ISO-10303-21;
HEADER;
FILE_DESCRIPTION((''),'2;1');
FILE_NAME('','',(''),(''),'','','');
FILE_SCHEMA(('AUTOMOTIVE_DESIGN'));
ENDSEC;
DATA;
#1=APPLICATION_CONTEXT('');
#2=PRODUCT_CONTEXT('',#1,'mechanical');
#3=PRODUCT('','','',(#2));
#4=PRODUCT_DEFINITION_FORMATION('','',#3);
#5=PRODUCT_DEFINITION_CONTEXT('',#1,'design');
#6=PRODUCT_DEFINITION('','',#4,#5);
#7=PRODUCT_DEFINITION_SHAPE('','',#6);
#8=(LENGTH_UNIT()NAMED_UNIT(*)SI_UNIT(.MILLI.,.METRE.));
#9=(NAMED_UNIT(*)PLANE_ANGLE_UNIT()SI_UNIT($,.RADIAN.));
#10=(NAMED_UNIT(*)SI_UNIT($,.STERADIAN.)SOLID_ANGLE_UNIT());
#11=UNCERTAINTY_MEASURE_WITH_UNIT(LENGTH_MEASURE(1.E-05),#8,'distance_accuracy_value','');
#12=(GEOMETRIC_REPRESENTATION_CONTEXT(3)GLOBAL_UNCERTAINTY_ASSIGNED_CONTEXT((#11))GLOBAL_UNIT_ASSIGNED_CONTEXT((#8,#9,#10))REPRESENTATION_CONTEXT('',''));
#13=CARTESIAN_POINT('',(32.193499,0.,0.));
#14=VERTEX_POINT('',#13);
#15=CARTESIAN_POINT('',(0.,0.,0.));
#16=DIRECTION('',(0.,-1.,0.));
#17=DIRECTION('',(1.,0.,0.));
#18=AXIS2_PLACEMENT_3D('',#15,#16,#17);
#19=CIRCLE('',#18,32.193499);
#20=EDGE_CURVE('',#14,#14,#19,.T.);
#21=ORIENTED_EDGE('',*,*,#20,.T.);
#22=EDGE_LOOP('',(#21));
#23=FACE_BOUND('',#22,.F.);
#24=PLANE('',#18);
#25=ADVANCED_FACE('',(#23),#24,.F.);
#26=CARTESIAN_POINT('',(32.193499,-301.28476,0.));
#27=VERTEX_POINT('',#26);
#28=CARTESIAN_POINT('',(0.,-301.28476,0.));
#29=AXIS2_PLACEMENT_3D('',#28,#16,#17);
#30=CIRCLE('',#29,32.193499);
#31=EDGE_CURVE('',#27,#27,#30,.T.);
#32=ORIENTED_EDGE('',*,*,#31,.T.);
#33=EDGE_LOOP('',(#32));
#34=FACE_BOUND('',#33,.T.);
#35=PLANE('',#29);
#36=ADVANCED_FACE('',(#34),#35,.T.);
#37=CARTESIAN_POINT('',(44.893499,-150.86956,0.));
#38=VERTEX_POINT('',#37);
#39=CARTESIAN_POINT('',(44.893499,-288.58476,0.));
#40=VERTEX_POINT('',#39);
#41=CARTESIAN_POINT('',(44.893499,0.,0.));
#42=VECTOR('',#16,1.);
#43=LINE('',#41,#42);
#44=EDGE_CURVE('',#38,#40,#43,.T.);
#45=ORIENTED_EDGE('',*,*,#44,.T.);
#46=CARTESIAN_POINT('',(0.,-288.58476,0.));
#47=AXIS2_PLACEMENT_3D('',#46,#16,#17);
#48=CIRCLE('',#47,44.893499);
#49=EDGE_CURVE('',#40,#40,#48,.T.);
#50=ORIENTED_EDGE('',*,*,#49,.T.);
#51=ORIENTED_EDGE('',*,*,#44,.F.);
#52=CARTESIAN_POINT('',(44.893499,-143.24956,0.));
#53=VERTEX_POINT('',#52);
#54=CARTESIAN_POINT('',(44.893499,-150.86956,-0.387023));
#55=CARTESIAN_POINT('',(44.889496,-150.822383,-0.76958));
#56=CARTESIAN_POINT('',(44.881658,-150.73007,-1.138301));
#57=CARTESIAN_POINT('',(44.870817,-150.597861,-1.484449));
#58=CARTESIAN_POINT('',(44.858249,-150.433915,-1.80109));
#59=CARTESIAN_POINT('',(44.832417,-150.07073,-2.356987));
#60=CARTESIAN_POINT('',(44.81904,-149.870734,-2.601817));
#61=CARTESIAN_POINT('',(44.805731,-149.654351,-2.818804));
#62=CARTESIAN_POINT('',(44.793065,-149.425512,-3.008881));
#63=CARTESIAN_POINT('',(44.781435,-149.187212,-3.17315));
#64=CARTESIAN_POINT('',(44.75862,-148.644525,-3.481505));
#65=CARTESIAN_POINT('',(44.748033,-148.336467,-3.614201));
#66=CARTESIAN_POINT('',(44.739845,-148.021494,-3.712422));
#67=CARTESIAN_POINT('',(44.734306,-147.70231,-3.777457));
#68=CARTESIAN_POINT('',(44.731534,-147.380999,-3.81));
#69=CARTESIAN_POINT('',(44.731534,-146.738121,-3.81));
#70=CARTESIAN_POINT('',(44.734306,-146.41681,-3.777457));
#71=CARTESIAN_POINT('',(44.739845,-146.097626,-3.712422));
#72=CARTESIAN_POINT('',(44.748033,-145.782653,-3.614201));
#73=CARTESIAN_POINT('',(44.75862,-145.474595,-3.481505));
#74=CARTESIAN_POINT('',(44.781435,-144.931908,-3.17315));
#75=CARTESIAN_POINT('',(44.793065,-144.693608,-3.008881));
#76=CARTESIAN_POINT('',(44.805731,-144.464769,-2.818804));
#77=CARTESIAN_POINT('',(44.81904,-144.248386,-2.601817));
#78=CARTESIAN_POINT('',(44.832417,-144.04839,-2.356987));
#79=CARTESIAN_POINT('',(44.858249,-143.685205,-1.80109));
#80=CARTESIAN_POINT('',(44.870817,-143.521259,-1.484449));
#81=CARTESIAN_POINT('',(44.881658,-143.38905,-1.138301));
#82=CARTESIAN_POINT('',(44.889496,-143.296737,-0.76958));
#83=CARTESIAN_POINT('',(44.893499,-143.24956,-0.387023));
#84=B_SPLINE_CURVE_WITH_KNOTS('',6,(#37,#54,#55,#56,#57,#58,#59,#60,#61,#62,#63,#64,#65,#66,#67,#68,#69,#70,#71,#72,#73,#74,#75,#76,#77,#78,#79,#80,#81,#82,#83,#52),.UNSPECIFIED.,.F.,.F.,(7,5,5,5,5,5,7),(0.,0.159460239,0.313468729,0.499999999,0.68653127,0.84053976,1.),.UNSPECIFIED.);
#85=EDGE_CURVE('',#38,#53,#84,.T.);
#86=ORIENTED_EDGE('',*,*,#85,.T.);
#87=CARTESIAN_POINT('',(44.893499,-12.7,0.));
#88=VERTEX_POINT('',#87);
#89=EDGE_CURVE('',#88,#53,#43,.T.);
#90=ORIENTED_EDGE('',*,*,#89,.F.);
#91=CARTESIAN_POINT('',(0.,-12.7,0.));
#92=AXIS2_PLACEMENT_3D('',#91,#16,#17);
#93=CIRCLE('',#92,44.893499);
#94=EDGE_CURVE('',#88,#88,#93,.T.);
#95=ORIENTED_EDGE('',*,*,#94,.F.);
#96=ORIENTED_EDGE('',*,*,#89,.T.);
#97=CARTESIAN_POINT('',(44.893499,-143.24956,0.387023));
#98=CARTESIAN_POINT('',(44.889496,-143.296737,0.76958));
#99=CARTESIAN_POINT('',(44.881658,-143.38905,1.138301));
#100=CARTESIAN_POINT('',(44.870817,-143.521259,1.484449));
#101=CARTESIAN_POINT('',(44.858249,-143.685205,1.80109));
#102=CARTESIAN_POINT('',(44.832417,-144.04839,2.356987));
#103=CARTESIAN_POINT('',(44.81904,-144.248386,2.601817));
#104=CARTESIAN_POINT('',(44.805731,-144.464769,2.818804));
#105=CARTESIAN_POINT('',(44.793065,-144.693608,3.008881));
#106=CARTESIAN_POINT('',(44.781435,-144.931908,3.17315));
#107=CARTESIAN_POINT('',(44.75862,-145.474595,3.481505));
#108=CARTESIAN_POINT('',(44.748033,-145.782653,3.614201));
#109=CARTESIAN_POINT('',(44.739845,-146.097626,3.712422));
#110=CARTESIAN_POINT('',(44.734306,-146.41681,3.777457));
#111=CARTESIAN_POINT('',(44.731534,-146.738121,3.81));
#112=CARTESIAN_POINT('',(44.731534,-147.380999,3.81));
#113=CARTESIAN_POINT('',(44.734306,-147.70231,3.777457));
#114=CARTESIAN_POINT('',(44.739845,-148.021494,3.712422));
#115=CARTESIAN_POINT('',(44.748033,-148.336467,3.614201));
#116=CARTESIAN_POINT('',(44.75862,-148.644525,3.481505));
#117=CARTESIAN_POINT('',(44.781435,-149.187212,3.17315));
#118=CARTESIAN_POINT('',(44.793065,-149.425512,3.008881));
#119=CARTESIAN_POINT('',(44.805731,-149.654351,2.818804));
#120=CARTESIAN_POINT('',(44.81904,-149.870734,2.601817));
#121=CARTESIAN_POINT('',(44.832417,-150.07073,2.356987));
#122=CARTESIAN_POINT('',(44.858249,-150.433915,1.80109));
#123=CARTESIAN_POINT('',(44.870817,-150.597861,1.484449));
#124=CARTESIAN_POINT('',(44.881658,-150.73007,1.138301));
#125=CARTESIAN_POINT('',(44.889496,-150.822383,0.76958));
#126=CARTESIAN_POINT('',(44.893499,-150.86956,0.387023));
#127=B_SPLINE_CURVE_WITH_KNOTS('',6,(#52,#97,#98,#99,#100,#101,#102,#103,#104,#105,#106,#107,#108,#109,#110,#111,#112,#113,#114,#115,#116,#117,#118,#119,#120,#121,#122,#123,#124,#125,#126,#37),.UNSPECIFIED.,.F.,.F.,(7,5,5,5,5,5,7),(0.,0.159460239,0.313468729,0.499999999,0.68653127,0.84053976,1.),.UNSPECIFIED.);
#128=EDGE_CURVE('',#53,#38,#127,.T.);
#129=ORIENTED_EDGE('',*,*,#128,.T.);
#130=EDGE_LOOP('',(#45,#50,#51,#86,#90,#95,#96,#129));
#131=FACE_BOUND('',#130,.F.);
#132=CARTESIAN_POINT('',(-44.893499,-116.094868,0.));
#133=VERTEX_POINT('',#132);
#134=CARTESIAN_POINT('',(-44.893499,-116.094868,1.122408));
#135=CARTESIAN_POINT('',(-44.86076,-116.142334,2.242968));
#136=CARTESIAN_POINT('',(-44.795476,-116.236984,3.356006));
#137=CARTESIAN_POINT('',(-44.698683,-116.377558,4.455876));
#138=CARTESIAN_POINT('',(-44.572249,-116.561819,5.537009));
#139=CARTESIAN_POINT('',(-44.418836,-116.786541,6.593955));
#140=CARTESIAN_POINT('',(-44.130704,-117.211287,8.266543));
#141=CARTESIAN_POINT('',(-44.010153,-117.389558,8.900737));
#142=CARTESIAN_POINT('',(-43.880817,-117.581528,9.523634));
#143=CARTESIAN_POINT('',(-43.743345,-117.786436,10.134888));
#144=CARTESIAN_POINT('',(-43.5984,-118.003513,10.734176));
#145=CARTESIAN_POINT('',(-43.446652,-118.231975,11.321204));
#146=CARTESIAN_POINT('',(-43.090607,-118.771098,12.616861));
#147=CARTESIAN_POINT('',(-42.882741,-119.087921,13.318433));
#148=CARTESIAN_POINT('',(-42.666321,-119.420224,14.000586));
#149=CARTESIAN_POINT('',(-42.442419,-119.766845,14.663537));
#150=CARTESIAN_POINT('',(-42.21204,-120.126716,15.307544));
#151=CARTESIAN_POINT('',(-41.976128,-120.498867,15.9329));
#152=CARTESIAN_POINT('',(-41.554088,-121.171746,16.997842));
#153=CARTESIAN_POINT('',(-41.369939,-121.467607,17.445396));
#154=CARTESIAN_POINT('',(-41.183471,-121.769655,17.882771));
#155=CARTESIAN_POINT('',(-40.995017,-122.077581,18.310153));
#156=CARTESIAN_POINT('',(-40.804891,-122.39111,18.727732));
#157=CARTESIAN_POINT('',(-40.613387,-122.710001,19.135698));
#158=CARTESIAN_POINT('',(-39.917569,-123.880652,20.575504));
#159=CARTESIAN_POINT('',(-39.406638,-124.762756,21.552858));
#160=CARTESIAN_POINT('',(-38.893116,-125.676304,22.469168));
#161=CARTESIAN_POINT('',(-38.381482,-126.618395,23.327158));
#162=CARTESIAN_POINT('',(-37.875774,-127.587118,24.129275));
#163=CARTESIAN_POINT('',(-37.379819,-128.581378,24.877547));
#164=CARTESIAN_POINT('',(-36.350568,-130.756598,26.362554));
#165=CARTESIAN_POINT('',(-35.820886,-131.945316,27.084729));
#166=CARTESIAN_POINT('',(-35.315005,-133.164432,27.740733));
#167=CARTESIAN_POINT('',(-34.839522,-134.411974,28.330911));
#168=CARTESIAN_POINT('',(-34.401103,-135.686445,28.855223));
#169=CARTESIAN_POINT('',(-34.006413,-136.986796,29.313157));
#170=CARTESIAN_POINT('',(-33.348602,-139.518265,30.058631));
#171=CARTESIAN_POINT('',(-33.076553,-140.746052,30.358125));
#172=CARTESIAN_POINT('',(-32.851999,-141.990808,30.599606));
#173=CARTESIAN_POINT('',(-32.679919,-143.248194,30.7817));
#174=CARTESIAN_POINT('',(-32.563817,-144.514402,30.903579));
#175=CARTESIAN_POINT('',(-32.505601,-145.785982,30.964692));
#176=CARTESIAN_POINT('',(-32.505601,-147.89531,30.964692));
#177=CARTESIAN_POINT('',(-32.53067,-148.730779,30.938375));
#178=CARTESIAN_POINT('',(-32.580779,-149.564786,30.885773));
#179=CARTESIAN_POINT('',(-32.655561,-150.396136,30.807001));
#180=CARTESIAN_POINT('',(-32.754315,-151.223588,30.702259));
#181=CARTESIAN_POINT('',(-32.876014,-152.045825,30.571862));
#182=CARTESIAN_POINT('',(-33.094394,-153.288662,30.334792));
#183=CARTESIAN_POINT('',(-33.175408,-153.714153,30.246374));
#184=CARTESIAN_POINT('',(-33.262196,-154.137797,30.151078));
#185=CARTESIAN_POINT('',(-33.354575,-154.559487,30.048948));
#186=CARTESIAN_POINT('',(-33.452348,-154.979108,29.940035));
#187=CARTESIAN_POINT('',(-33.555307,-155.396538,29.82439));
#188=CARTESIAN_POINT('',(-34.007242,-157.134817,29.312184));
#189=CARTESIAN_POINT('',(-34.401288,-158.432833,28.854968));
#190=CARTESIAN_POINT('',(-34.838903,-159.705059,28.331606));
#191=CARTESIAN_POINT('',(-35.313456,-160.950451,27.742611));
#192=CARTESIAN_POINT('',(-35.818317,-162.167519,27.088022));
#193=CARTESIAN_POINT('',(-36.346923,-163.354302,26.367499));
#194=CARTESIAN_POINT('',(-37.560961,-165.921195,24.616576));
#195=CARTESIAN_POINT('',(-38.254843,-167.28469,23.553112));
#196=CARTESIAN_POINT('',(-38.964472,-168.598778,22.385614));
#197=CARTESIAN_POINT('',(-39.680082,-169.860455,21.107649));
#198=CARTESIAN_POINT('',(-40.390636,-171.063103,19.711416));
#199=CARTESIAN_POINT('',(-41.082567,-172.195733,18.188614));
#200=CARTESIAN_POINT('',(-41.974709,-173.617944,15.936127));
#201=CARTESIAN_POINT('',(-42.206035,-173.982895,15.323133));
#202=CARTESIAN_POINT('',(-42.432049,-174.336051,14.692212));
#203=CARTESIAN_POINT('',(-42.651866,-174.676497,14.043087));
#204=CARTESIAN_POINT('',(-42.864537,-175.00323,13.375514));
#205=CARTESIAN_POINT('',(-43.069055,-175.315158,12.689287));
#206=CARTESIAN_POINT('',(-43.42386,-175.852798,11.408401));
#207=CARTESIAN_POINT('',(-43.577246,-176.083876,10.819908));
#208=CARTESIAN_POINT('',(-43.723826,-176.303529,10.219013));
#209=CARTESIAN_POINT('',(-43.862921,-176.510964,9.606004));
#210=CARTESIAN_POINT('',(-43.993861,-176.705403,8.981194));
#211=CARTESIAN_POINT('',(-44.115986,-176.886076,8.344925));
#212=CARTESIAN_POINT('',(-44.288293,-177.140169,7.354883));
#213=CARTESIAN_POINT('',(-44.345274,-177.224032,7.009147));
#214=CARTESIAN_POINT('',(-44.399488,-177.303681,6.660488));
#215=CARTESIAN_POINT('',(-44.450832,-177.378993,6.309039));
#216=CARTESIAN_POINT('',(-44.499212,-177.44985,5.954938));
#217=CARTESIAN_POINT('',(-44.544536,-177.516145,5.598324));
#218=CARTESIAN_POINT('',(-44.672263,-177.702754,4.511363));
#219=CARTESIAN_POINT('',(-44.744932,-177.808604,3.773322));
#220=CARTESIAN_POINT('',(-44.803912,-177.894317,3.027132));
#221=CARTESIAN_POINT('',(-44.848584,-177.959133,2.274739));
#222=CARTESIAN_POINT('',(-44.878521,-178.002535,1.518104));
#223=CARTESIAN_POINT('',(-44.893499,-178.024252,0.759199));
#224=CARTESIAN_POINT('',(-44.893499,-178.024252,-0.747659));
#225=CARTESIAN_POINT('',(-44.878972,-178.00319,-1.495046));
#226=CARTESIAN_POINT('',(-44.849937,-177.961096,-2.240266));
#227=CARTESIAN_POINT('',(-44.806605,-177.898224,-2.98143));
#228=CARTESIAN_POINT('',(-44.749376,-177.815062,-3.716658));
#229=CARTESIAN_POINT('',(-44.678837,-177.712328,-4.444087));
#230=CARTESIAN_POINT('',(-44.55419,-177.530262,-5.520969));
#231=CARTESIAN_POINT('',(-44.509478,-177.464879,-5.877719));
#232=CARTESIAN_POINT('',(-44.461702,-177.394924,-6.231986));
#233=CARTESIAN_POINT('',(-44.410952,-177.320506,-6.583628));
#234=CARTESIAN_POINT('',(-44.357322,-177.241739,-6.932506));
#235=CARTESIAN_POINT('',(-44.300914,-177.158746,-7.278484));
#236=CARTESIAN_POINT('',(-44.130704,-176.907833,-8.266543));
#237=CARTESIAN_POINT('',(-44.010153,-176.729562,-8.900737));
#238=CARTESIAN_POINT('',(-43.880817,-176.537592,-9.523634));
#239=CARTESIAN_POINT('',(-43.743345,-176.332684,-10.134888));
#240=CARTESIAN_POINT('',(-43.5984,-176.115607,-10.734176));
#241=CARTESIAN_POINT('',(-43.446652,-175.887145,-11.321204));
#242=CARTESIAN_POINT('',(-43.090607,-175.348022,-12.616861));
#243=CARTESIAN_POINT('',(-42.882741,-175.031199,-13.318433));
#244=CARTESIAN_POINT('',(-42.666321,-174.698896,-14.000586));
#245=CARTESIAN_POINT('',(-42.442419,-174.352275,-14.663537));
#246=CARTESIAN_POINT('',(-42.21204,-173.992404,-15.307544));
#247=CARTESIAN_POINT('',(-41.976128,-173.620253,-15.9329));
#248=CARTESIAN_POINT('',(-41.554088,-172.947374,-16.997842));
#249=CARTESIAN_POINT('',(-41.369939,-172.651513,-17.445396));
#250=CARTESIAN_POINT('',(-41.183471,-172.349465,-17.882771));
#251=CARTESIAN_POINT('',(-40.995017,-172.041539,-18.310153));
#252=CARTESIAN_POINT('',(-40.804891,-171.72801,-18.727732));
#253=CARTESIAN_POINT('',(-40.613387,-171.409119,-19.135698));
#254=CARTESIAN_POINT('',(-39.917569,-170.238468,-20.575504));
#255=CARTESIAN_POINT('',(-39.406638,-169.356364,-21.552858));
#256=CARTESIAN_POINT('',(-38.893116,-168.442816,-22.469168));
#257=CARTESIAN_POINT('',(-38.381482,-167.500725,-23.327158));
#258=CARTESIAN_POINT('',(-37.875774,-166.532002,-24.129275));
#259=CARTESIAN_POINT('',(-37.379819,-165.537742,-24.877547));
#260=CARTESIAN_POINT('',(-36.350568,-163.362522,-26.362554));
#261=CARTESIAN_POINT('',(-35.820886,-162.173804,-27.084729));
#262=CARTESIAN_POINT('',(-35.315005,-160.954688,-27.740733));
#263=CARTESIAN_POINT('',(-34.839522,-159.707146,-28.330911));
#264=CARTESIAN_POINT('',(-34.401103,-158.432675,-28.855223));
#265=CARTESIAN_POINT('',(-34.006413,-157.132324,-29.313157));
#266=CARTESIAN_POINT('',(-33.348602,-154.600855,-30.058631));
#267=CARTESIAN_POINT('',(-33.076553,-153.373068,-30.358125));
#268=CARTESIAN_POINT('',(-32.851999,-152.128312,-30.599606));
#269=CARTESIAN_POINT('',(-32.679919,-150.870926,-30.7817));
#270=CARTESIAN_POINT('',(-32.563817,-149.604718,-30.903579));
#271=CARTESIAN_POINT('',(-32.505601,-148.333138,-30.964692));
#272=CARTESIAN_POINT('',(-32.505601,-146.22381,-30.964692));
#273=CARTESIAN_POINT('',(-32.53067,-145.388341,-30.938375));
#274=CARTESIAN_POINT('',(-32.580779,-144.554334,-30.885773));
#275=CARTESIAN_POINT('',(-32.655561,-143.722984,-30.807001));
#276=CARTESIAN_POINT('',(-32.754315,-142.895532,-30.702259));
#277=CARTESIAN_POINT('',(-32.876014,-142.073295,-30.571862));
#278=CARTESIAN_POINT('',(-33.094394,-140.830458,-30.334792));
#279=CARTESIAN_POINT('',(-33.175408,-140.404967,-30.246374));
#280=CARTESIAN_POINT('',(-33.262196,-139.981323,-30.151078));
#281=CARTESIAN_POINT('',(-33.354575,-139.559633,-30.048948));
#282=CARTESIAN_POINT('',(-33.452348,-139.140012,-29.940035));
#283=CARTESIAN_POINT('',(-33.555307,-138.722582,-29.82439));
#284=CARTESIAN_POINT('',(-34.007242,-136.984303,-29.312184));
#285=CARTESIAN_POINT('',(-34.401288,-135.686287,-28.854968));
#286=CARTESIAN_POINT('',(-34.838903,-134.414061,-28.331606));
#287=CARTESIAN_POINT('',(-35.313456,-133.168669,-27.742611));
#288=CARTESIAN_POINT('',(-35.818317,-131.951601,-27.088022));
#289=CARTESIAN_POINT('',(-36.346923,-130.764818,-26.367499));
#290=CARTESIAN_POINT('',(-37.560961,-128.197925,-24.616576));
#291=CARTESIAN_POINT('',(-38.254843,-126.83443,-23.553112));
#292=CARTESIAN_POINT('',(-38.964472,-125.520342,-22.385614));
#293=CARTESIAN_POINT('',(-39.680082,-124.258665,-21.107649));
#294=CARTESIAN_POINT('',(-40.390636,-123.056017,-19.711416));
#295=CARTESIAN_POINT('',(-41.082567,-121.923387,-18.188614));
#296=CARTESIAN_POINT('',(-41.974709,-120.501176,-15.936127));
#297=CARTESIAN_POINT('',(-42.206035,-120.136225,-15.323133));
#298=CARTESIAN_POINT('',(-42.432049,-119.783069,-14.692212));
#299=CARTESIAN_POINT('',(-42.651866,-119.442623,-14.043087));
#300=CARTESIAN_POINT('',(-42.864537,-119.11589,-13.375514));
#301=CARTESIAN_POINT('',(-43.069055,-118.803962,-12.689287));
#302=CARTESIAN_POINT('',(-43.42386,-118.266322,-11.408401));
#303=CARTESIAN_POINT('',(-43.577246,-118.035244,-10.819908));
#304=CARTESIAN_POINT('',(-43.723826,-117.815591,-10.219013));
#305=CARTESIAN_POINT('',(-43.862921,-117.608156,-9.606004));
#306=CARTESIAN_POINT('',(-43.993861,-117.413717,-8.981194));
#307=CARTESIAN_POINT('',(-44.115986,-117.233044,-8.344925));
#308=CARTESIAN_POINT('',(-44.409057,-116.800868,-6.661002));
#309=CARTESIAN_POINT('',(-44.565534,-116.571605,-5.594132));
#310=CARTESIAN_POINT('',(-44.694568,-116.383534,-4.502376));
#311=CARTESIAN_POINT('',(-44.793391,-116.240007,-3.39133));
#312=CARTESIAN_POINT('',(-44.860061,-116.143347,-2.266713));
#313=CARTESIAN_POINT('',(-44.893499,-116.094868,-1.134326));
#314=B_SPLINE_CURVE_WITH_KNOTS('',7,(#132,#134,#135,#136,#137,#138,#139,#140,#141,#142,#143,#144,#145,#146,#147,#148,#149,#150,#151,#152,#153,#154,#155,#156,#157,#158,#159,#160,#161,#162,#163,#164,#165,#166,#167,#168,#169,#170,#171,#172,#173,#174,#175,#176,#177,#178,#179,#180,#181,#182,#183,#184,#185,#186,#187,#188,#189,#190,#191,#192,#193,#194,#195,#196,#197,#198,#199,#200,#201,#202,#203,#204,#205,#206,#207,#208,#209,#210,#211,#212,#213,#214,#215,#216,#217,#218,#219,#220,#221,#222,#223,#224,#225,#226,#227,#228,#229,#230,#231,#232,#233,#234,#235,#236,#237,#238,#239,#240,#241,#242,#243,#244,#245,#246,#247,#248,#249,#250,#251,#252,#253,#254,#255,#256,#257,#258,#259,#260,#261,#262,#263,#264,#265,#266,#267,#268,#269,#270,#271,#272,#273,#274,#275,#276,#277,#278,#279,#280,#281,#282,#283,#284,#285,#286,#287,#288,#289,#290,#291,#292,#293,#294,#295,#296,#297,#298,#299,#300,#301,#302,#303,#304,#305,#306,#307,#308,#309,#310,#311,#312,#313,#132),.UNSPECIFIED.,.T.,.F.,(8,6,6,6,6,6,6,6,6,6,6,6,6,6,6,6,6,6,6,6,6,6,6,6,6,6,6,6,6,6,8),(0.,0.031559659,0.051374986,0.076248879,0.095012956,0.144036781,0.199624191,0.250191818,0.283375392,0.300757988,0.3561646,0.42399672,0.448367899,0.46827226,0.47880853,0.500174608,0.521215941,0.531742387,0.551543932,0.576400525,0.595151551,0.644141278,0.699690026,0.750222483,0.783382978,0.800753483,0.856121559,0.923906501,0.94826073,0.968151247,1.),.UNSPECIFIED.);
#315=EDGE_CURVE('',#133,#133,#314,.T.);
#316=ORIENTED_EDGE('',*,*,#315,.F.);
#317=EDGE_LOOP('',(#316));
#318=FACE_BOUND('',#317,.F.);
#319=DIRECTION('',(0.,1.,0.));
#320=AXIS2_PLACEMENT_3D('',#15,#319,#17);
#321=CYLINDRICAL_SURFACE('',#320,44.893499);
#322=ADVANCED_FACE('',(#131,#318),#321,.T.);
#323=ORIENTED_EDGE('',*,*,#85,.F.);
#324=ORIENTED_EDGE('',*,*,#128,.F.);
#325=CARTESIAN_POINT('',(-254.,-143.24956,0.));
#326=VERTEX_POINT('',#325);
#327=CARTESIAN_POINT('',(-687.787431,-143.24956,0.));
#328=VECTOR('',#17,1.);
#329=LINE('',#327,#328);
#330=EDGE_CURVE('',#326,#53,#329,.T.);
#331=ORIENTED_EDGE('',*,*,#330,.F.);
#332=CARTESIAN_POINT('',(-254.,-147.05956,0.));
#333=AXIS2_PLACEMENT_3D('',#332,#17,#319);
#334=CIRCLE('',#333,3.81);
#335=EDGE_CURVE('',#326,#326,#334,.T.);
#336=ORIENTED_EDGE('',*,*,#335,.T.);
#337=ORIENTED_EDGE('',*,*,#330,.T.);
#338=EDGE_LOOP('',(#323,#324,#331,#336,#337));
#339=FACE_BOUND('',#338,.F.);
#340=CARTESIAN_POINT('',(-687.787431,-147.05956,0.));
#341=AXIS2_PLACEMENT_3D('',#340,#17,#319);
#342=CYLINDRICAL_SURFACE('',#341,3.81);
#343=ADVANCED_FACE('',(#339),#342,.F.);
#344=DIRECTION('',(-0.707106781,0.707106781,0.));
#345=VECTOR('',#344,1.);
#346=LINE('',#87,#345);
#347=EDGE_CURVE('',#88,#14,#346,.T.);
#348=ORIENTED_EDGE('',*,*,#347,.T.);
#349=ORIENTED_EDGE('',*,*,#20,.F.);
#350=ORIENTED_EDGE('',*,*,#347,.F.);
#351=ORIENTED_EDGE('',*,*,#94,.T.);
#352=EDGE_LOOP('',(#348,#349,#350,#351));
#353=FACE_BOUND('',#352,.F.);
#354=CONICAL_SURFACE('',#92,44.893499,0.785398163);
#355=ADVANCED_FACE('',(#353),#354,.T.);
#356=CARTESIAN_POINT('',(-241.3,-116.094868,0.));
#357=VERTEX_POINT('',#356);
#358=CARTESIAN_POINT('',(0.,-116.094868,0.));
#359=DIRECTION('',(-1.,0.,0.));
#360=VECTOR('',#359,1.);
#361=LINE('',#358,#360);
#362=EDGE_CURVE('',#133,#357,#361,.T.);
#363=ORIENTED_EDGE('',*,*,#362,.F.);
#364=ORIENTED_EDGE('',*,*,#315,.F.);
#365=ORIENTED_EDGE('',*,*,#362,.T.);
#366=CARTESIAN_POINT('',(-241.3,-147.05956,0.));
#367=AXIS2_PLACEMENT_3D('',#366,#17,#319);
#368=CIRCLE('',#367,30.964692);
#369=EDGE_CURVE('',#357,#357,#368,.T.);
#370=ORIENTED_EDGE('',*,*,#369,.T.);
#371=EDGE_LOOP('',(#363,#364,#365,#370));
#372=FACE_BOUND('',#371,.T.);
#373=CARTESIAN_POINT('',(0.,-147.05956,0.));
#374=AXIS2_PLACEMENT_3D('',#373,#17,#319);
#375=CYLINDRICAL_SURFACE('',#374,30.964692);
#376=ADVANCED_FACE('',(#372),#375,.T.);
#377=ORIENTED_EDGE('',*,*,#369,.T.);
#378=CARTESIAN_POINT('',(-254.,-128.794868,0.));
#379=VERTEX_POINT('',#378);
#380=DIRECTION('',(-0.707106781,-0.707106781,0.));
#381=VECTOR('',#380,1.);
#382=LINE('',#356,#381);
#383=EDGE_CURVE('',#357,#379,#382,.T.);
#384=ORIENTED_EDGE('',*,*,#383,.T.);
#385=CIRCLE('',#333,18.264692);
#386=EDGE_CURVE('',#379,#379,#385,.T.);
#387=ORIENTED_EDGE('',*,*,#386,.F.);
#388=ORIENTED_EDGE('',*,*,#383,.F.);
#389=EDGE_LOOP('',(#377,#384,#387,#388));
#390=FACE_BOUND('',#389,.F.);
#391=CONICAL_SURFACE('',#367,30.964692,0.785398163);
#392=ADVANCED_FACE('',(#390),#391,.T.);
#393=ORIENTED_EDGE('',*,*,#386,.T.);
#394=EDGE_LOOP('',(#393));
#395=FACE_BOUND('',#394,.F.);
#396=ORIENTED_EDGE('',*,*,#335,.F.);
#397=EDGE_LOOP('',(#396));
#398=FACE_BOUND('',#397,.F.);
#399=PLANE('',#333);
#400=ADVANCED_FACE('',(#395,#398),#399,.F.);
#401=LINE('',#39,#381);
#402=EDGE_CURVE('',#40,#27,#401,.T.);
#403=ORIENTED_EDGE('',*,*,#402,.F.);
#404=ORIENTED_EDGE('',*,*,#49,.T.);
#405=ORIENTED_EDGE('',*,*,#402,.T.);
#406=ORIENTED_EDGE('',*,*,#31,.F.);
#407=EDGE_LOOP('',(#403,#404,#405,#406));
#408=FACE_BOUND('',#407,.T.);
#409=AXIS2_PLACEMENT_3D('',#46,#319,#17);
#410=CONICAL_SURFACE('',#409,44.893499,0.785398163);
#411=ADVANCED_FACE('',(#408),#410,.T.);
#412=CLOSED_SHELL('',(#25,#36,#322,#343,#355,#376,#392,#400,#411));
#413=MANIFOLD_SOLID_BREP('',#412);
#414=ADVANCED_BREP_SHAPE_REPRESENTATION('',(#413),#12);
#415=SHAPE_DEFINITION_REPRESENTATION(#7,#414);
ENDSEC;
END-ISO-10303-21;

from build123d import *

# Parameters (mm, degrees)
F0_R     = 44.893499
F1_DEPTH = 301.28476
F2_SIZE  = 12.7
F3_R     = 30.964692
F4_DEPTH = 254
F5_SIZE  = 12.7
F7_D     = 7.62


with BuildPart() as f1:
    # F0 (on Front) → F1 (new body)
    with BuildSketch(Plane.XZ):
        Circle(F0_R)
    extrude(amount=F1_DEPTH)

    # F2
    f2_edges = [f1.edges().sort_by_distance(p)[0] for p in [
        (44.893499, -150.64238, 0),
        (-44.893499, 0, 0),
        (-44.893499, -301.28476, 0),
    ]]
    chamfer(f2_edges, length=F2_SIZE)

    # F3 (on Right) → F4 (join)
    with BuildSketch(Plane.YZ):
        with Locations((-147.05956, 0)):
            Circle(F3_R)
    extrude(amount=-F4_DEPTH)

    # F5
    f5_edges = [f1.edges().sort_by_distance(p)[0] for p in [
        (-254, -178.024252, 0),
    ]]
    chamfer(f5_edges, length=F5_SIZE)

    # F7 (through all)
    with Locations(Plane(origin=(-254, 0, 0), x_dir=(0, -1, 0), z_dir=(-1, 0, 0))):
        with Locations((147.05956, 0)):
            Hole(F7_D / 2)


solid = f1.part
